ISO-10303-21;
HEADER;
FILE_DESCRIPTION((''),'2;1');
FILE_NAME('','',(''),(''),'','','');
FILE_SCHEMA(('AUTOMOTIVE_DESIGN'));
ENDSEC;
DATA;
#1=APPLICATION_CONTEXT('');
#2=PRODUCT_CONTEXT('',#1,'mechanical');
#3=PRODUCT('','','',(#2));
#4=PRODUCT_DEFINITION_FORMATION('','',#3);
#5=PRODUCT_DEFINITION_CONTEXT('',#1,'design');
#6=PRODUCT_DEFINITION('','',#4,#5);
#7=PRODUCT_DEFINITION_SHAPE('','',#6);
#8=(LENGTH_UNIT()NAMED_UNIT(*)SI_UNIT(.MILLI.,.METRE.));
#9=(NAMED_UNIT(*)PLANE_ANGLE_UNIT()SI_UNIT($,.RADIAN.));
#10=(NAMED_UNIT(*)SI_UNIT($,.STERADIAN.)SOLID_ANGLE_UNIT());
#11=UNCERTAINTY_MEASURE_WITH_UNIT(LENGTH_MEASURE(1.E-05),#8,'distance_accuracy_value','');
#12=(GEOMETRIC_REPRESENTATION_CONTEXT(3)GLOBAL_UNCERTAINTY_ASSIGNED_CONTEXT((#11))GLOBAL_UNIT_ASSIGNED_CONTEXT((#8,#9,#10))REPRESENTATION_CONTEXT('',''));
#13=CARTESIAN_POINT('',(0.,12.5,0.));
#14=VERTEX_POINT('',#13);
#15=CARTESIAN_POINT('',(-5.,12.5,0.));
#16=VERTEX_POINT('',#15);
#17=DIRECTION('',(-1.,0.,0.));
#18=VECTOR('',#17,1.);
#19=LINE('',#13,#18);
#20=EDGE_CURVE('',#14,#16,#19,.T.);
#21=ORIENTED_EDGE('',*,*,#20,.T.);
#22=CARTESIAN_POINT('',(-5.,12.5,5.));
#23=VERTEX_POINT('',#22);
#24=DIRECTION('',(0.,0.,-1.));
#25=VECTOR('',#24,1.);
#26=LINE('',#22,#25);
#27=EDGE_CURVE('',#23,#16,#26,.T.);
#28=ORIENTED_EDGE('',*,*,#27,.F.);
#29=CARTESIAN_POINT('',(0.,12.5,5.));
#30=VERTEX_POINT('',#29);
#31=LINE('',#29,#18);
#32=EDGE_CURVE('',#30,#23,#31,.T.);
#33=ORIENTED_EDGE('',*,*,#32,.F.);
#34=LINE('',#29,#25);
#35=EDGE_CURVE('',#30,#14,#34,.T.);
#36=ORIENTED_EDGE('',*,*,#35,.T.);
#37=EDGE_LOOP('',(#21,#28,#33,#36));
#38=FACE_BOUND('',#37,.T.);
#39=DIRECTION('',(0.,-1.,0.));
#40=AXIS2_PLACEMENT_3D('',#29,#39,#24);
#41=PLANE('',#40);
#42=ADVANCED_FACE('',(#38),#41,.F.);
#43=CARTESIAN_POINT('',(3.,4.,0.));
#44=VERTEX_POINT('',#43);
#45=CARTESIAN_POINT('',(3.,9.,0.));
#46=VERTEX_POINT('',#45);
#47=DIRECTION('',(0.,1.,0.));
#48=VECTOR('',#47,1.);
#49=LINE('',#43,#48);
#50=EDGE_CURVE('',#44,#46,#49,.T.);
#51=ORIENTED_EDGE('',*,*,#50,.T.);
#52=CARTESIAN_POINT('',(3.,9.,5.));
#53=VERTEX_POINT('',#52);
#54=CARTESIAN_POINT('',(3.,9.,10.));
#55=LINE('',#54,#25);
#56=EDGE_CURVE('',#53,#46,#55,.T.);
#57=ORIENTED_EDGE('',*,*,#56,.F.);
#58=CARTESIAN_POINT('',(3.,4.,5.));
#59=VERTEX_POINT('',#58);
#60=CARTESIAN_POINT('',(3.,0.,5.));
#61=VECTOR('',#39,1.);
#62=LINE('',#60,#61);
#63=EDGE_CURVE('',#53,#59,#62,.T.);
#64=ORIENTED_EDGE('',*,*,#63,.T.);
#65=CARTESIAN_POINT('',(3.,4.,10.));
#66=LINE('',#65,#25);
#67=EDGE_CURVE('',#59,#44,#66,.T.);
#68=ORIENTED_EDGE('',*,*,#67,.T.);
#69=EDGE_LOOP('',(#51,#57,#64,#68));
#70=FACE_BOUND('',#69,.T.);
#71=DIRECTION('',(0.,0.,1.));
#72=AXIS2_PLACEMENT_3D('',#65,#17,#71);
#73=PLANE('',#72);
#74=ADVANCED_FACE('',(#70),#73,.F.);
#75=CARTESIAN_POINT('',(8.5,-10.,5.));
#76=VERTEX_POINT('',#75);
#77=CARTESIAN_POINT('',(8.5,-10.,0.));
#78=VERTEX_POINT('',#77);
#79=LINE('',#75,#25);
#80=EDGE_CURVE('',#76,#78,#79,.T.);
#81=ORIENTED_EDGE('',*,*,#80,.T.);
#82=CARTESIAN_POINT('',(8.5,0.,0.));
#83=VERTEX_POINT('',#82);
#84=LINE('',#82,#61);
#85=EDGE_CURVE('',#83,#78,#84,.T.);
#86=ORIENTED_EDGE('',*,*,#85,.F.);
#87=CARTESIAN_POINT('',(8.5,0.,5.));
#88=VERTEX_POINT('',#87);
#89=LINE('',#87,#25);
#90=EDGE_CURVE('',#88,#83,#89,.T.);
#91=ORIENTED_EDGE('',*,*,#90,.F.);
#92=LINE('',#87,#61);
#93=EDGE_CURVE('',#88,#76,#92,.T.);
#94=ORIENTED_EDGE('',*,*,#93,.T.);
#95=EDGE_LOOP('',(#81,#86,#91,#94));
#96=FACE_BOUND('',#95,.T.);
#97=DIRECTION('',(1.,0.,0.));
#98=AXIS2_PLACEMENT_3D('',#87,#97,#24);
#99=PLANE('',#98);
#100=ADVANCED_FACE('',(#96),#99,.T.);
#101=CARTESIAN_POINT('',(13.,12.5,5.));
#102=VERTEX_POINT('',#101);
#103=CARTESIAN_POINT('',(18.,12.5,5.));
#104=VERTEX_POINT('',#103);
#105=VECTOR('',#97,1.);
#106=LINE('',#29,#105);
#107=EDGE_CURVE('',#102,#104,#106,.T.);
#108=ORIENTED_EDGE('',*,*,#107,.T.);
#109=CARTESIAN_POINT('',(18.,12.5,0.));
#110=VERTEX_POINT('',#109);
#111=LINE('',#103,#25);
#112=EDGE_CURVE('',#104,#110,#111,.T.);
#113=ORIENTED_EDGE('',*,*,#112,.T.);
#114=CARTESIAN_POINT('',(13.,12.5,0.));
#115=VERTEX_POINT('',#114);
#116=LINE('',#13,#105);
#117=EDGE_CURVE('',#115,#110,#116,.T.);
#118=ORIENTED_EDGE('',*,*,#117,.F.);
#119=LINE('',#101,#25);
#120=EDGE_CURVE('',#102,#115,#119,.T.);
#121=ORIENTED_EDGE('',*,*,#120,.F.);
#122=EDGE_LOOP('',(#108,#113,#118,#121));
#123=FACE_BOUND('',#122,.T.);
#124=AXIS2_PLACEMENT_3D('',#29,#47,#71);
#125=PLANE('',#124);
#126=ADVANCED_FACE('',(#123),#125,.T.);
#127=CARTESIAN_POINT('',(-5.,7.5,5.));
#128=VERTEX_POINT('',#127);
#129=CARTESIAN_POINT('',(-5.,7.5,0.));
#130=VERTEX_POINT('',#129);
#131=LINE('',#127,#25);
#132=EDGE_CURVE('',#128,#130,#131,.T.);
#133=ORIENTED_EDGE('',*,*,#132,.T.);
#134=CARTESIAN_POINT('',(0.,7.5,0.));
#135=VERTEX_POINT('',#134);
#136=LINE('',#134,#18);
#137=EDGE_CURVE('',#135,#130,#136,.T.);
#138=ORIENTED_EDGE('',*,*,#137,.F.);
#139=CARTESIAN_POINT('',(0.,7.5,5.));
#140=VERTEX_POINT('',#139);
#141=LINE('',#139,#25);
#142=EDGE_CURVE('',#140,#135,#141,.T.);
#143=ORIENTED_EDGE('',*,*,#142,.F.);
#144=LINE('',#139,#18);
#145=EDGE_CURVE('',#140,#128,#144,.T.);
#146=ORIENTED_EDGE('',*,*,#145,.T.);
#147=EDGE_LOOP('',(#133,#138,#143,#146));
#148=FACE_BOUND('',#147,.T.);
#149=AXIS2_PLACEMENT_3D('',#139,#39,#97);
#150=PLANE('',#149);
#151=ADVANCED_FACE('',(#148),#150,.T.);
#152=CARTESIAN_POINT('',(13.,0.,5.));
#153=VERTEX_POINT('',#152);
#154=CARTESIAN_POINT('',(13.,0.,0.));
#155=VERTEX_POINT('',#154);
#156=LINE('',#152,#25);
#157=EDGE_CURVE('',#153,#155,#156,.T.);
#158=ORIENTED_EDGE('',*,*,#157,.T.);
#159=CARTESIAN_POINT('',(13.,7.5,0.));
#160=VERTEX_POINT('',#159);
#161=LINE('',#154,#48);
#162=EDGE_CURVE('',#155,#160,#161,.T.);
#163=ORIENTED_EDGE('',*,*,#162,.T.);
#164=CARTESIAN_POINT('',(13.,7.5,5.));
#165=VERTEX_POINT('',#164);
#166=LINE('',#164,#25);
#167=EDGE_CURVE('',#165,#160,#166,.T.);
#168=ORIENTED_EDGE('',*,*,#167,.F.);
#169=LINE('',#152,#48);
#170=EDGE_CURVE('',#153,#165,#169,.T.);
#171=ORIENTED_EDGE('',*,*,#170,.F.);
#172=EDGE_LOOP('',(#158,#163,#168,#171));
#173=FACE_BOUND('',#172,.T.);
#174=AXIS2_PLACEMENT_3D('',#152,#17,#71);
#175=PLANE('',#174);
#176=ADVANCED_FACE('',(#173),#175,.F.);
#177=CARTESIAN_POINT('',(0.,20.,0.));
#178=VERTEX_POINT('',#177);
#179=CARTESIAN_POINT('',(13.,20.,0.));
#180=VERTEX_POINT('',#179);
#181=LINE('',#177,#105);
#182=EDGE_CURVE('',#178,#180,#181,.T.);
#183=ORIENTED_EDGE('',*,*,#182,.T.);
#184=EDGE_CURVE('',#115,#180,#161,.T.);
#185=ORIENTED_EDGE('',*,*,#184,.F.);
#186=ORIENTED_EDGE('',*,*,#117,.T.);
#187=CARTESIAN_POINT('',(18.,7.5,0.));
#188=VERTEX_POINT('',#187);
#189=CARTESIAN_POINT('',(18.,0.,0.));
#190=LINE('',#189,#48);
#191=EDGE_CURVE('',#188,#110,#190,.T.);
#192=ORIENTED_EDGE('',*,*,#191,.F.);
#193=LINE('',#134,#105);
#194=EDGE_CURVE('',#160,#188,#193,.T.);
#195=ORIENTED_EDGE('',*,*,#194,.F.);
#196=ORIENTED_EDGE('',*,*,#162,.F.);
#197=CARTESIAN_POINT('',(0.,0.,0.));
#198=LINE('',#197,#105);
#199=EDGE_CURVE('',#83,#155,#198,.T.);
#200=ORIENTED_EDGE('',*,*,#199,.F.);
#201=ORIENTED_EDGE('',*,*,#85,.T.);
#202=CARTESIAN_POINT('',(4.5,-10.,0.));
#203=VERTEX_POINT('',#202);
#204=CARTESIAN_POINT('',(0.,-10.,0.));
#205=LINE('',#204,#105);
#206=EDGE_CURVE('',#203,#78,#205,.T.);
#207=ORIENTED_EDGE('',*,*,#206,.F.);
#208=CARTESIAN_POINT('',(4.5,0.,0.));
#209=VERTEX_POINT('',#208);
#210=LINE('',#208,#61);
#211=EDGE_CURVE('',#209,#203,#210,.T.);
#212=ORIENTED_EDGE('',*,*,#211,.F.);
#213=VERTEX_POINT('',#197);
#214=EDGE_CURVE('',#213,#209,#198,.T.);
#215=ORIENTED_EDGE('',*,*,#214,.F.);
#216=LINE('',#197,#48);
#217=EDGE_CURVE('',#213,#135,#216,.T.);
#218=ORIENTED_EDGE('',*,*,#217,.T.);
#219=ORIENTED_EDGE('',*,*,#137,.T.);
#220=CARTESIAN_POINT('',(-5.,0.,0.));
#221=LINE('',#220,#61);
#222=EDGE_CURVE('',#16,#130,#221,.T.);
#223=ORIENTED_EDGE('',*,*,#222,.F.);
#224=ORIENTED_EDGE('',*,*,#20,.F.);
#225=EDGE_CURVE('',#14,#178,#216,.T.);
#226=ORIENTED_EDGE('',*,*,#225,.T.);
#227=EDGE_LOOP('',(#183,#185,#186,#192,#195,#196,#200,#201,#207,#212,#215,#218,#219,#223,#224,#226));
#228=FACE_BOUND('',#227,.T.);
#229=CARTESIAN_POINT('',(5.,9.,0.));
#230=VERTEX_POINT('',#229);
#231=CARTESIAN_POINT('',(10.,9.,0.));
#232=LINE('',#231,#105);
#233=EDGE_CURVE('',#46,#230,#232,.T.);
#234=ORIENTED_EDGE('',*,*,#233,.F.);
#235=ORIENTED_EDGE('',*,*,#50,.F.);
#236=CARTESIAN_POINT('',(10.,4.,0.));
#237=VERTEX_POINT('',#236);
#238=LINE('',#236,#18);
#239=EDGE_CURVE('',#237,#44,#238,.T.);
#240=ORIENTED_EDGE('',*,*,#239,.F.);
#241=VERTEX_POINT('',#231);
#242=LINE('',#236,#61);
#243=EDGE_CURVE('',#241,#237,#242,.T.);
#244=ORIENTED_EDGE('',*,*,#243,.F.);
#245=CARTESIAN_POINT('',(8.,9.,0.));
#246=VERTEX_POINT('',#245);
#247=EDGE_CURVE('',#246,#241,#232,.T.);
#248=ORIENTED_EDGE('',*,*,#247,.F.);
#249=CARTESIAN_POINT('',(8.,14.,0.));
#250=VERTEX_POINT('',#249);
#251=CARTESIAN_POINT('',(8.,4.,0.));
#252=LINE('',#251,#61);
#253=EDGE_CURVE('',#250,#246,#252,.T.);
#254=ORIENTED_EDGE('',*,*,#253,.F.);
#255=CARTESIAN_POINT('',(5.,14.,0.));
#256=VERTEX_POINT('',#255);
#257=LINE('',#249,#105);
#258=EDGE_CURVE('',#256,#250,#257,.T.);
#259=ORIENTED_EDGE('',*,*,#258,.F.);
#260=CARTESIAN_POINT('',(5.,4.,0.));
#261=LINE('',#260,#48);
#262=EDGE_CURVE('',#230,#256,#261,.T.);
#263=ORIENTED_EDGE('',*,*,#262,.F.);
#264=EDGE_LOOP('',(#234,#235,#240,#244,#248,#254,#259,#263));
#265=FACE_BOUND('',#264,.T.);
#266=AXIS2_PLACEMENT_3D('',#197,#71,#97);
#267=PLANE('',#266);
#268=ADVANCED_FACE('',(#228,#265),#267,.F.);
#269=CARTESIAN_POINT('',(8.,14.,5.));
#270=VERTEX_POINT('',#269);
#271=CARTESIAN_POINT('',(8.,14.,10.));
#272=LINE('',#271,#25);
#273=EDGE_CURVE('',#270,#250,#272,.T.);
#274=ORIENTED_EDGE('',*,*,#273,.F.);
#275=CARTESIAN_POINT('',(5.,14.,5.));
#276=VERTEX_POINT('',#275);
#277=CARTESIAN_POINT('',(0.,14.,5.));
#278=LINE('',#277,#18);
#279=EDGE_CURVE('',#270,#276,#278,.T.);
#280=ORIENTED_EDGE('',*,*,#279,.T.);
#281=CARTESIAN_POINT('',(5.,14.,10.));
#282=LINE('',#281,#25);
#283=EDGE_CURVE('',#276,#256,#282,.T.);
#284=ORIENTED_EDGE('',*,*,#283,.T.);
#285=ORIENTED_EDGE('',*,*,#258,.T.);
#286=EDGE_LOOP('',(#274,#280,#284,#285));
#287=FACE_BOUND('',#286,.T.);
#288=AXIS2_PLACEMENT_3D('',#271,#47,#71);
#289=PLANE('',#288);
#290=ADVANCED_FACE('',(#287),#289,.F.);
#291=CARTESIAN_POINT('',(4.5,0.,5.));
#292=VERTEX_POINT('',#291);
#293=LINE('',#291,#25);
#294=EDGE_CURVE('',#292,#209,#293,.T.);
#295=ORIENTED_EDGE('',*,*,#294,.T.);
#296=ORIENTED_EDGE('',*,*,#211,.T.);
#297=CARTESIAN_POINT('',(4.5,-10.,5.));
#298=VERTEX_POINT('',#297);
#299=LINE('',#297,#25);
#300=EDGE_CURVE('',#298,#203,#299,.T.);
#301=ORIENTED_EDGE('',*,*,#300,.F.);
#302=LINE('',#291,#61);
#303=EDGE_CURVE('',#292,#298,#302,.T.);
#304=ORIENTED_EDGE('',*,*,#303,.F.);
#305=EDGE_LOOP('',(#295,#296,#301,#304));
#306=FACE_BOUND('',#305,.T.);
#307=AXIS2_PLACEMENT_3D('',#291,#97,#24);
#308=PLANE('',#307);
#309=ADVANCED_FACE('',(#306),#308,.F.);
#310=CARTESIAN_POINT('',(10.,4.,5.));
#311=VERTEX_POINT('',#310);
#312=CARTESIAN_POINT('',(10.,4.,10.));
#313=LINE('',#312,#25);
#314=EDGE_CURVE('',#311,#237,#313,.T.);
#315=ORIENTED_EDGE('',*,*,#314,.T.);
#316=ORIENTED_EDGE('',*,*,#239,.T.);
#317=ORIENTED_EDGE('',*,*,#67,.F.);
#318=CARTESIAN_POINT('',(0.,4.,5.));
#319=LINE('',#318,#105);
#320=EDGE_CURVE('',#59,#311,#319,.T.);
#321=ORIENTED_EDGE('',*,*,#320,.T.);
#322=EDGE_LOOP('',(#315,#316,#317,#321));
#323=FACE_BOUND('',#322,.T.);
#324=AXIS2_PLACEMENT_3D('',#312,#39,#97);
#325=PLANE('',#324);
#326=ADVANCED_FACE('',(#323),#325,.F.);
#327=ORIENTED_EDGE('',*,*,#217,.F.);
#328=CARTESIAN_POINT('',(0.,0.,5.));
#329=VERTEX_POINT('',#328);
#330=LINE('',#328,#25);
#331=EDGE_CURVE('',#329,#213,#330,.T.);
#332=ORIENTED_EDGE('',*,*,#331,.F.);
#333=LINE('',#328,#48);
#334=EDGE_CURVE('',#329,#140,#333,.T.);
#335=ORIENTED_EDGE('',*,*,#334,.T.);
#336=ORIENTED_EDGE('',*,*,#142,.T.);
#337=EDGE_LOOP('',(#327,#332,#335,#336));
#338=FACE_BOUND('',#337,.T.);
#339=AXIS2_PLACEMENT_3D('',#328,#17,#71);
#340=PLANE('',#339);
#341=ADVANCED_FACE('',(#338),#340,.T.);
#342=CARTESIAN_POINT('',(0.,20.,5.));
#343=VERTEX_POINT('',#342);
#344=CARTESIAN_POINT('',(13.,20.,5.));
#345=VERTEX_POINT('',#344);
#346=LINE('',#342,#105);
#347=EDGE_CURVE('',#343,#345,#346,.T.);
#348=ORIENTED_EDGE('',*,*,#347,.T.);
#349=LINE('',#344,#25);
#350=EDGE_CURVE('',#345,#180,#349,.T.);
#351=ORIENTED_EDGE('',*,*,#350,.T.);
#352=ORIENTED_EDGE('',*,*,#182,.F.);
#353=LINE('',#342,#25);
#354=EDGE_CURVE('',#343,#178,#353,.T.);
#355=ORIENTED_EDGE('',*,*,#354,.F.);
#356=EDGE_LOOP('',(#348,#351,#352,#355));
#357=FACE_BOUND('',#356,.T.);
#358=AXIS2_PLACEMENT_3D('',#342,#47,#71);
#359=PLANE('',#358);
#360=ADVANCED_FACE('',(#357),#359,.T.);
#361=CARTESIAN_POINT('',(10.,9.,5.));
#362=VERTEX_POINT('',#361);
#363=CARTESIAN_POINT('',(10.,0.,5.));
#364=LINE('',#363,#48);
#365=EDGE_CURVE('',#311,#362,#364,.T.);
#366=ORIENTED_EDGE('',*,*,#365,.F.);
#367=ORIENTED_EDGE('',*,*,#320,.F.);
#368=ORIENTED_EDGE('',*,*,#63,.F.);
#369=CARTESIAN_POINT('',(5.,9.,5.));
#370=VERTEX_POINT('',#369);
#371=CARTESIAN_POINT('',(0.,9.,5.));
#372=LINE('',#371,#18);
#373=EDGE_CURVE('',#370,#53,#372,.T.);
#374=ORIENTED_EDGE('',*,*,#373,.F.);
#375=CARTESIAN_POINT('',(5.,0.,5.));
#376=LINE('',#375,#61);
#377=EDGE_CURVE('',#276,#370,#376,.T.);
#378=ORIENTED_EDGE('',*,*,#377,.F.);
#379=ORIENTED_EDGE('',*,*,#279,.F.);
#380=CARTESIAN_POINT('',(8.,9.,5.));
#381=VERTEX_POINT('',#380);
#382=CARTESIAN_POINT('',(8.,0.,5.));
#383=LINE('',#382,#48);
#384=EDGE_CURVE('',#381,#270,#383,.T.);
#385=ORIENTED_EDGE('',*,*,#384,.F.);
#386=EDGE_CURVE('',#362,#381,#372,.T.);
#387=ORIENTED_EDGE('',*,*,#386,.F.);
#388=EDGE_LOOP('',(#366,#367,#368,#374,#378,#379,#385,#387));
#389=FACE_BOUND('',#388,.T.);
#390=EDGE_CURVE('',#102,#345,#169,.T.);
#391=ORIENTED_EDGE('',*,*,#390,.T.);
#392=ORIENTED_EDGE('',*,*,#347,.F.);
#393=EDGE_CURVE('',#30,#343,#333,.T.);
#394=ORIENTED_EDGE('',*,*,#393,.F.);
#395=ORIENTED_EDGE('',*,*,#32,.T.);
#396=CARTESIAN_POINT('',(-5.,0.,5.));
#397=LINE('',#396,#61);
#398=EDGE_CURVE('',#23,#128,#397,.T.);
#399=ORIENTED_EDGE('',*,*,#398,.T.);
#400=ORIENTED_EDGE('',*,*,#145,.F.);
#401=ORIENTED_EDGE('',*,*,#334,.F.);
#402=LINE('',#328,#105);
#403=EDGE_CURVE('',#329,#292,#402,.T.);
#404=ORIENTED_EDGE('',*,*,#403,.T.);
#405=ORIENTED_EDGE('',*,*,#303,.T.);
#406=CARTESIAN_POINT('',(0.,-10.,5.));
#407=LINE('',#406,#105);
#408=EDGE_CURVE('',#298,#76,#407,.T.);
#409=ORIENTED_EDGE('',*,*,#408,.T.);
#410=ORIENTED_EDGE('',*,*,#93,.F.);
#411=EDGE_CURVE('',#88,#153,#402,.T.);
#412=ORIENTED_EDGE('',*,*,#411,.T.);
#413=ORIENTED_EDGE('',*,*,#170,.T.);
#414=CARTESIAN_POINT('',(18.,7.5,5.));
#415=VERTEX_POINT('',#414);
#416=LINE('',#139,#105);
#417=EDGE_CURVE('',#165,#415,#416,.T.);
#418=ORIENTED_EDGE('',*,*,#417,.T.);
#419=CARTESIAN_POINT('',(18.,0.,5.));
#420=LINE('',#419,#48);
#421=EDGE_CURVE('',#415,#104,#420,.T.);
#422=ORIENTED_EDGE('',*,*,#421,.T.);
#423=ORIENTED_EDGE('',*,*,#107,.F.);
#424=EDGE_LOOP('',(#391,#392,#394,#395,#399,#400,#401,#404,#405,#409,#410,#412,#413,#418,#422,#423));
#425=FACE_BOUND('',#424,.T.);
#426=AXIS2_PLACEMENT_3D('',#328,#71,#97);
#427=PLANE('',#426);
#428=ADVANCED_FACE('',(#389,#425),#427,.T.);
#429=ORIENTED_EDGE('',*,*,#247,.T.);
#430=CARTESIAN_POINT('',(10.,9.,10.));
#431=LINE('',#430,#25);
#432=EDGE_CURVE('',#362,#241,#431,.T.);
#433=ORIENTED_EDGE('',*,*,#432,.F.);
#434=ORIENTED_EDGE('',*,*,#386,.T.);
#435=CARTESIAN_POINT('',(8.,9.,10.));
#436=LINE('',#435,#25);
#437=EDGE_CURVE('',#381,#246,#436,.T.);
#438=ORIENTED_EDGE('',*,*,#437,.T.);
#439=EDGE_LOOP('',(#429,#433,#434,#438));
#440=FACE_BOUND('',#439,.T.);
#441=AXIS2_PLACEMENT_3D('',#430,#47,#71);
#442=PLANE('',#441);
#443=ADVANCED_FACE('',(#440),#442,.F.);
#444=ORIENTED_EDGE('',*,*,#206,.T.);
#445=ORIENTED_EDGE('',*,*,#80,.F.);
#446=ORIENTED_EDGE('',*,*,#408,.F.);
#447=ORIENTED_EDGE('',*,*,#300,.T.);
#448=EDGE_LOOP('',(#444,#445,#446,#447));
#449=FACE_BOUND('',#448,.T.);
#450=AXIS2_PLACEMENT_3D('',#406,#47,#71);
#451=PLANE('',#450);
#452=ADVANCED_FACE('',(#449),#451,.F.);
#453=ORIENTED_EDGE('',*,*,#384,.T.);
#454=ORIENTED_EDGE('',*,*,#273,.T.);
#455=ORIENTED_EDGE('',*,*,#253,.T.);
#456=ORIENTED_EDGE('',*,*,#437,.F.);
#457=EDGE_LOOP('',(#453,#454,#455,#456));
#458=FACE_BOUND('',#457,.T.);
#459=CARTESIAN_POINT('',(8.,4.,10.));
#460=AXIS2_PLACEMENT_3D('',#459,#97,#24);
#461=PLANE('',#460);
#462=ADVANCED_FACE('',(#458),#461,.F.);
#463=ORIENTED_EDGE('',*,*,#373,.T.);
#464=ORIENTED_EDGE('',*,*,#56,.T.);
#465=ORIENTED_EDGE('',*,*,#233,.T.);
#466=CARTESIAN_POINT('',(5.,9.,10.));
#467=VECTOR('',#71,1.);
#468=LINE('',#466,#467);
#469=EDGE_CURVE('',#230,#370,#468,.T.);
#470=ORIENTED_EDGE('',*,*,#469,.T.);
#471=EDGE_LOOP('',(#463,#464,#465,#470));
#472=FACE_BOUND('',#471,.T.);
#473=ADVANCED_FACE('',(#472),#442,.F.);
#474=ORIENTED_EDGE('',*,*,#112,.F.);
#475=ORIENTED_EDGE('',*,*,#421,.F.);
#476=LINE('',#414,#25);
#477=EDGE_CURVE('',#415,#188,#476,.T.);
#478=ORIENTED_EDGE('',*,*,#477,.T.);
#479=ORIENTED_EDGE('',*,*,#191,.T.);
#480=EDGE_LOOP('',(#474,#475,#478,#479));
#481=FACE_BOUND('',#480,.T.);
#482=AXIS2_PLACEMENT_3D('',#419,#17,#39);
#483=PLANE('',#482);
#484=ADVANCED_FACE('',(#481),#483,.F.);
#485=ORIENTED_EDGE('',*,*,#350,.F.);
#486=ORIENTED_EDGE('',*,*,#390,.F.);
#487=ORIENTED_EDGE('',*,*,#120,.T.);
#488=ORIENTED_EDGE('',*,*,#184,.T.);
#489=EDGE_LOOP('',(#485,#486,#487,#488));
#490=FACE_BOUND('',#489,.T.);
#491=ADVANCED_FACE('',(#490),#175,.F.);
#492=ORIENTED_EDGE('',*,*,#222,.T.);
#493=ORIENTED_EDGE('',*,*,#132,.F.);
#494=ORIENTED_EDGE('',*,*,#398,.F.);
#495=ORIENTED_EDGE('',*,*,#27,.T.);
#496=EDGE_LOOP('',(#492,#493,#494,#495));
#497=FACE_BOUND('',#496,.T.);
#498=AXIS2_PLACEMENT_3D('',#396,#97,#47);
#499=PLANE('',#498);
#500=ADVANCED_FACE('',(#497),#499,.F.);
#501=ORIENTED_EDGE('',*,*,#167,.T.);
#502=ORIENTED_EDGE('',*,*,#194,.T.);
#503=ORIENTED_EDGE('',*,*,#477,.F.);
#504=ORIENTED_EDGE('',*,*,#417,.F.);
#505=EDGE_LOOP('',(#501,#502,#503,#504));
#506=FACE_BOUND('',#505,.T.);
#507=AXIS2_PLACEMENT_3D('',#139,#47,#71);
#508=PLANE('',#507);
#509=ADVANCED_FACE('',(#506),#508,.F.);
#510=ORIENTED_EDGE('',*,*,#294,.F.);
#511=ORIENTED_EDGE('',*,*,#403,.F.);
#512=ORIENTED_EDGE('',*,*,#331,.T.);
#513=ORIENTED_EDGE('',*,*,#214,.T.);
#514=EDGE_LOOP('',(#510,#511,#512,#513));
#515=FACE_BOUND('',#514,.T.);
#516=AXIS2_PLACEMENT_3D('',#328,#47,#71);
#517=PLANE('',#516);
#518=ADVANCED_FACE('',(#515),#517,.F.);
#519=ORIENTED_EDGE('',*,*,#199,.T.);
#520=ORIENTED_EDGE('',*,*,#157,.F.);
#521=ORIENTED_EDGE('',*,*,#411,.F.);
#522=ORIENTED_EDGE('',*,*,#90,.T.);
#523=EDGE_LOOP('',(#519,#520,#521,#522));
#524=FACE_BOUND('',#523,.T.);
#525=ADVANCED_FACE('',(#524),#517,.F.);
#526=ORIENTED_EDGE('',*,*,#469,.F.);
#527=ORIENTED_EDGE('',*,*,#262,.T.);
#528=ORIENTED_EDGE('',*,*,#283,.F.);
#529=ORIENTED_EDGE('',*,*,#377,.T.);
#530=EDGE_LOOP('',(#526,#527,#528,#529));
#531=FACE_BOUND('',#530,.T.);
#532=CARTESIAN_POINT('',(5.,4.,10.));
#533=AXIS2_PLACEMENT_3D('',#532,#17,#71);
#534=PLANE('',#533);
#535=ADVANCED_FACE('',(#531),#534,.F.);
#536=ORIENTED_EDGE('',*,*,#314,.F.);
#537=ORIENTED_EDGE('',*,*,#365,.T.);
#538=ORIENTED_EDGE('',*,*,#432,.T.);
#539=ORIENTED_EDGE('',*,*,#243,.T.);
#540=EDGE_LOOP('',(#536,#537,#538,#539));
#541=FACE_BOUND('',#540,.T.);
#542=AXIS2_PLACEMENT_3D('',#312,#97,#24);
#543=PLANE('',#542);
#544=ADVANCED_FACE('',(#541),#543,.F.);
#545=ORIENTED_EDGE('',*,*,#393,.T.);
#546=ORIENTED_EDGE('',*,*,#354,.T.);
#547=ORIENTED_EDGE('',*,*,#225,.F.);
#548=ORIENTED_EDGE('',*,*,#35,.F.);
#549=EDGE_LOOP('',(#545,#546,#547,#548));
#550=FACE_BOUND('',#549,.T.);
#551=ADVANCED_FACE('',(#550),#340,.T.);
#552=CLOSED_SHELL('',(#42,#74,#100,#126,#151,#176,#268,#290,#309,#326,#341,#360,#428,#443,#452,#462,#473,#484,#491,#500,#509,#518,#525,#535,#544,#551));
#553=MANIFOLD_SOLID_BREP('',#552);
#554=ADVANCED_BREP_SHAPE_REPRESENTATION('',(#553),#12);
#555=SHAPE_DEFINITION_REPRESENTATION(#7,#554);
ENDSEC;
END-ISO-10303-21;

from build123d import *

# Parameters (mm, degrees)
ESQUISSE1_W             = 4
ESQUISSE1_H             = 10
ESQUISSE1_W_2           = 5
ESQUISSE1_H_2           = 5
ESQUISSE1_W_3           = 13
ESQUISSE1_H_3           = 20
BOSS_EXTRU_1_DEPTH      = 5
ESQUISSE2_W             = 7
ESQUISSE2_H             = 5
ENL_V_MAT_EXTRU_1_DEPTH = 10
ESQUISSE3_W             = 3
ESQUISSE3_H             = 10
ENL_V_MAT_EXTRU_2_DEPTH = 10


with BuildPart() as part:
    # Esquisse1 → Boss.-Extru.1 (new body)
    with BuildSketch(Plane.XY):
        with Locations((6.5, -5)):
            Rectangle(ESQUISSE1_W, ESQUISSE1_H)
        with Locations((-2.5, 10)):
            Rectangle(ESQUISSE1_W_2, ESQUISSE1_H_2)
        with Locations((6.5, 10)):
            Rectangle(ESQUISSE1_W_3, ESQUISSE1_H_3)
        with Locations((15.5, 10)):
            Rectangle(ESQUISSE1_W_2, ESQUISSE1_H_2)
    extrude(amount=BOSS_EXTRU_1_DEPTH)

    # Esquisse2 → Enlèv. mat.-Extru.1 (cut)
    with BuildSketch(Plane(origin=(0, 0, 0), x_dir=(-1, 0, 0), z_dir=(0, 0, -1))):
        with Locations((-6.5, 6.5)):
            Rectangle(ESQUISSE2_W, ESQUISSE2_H)
    extrude(amount=-ENL_V_MAT_EXTRU_1_DEPTH, mode=Mode.SUBTRACT)

    # Esquisse3 → Enlèv. mat.-Extru.2 (cut)
    with BuildSketch(Plane(origin=(0, 0, 0), x_dir=(-1, 0, 0), z_dir=(0, 0, -1))):
        with Locations((-6.5, 9)):
            Rectangle(ESQUISSE3_W, ESQUISSE3_H)
    extrude(amount=-ENL_V_MAT_EXTRU_2_DEPTH, mode=Mode.SUBTRACT)


solid = part.part
